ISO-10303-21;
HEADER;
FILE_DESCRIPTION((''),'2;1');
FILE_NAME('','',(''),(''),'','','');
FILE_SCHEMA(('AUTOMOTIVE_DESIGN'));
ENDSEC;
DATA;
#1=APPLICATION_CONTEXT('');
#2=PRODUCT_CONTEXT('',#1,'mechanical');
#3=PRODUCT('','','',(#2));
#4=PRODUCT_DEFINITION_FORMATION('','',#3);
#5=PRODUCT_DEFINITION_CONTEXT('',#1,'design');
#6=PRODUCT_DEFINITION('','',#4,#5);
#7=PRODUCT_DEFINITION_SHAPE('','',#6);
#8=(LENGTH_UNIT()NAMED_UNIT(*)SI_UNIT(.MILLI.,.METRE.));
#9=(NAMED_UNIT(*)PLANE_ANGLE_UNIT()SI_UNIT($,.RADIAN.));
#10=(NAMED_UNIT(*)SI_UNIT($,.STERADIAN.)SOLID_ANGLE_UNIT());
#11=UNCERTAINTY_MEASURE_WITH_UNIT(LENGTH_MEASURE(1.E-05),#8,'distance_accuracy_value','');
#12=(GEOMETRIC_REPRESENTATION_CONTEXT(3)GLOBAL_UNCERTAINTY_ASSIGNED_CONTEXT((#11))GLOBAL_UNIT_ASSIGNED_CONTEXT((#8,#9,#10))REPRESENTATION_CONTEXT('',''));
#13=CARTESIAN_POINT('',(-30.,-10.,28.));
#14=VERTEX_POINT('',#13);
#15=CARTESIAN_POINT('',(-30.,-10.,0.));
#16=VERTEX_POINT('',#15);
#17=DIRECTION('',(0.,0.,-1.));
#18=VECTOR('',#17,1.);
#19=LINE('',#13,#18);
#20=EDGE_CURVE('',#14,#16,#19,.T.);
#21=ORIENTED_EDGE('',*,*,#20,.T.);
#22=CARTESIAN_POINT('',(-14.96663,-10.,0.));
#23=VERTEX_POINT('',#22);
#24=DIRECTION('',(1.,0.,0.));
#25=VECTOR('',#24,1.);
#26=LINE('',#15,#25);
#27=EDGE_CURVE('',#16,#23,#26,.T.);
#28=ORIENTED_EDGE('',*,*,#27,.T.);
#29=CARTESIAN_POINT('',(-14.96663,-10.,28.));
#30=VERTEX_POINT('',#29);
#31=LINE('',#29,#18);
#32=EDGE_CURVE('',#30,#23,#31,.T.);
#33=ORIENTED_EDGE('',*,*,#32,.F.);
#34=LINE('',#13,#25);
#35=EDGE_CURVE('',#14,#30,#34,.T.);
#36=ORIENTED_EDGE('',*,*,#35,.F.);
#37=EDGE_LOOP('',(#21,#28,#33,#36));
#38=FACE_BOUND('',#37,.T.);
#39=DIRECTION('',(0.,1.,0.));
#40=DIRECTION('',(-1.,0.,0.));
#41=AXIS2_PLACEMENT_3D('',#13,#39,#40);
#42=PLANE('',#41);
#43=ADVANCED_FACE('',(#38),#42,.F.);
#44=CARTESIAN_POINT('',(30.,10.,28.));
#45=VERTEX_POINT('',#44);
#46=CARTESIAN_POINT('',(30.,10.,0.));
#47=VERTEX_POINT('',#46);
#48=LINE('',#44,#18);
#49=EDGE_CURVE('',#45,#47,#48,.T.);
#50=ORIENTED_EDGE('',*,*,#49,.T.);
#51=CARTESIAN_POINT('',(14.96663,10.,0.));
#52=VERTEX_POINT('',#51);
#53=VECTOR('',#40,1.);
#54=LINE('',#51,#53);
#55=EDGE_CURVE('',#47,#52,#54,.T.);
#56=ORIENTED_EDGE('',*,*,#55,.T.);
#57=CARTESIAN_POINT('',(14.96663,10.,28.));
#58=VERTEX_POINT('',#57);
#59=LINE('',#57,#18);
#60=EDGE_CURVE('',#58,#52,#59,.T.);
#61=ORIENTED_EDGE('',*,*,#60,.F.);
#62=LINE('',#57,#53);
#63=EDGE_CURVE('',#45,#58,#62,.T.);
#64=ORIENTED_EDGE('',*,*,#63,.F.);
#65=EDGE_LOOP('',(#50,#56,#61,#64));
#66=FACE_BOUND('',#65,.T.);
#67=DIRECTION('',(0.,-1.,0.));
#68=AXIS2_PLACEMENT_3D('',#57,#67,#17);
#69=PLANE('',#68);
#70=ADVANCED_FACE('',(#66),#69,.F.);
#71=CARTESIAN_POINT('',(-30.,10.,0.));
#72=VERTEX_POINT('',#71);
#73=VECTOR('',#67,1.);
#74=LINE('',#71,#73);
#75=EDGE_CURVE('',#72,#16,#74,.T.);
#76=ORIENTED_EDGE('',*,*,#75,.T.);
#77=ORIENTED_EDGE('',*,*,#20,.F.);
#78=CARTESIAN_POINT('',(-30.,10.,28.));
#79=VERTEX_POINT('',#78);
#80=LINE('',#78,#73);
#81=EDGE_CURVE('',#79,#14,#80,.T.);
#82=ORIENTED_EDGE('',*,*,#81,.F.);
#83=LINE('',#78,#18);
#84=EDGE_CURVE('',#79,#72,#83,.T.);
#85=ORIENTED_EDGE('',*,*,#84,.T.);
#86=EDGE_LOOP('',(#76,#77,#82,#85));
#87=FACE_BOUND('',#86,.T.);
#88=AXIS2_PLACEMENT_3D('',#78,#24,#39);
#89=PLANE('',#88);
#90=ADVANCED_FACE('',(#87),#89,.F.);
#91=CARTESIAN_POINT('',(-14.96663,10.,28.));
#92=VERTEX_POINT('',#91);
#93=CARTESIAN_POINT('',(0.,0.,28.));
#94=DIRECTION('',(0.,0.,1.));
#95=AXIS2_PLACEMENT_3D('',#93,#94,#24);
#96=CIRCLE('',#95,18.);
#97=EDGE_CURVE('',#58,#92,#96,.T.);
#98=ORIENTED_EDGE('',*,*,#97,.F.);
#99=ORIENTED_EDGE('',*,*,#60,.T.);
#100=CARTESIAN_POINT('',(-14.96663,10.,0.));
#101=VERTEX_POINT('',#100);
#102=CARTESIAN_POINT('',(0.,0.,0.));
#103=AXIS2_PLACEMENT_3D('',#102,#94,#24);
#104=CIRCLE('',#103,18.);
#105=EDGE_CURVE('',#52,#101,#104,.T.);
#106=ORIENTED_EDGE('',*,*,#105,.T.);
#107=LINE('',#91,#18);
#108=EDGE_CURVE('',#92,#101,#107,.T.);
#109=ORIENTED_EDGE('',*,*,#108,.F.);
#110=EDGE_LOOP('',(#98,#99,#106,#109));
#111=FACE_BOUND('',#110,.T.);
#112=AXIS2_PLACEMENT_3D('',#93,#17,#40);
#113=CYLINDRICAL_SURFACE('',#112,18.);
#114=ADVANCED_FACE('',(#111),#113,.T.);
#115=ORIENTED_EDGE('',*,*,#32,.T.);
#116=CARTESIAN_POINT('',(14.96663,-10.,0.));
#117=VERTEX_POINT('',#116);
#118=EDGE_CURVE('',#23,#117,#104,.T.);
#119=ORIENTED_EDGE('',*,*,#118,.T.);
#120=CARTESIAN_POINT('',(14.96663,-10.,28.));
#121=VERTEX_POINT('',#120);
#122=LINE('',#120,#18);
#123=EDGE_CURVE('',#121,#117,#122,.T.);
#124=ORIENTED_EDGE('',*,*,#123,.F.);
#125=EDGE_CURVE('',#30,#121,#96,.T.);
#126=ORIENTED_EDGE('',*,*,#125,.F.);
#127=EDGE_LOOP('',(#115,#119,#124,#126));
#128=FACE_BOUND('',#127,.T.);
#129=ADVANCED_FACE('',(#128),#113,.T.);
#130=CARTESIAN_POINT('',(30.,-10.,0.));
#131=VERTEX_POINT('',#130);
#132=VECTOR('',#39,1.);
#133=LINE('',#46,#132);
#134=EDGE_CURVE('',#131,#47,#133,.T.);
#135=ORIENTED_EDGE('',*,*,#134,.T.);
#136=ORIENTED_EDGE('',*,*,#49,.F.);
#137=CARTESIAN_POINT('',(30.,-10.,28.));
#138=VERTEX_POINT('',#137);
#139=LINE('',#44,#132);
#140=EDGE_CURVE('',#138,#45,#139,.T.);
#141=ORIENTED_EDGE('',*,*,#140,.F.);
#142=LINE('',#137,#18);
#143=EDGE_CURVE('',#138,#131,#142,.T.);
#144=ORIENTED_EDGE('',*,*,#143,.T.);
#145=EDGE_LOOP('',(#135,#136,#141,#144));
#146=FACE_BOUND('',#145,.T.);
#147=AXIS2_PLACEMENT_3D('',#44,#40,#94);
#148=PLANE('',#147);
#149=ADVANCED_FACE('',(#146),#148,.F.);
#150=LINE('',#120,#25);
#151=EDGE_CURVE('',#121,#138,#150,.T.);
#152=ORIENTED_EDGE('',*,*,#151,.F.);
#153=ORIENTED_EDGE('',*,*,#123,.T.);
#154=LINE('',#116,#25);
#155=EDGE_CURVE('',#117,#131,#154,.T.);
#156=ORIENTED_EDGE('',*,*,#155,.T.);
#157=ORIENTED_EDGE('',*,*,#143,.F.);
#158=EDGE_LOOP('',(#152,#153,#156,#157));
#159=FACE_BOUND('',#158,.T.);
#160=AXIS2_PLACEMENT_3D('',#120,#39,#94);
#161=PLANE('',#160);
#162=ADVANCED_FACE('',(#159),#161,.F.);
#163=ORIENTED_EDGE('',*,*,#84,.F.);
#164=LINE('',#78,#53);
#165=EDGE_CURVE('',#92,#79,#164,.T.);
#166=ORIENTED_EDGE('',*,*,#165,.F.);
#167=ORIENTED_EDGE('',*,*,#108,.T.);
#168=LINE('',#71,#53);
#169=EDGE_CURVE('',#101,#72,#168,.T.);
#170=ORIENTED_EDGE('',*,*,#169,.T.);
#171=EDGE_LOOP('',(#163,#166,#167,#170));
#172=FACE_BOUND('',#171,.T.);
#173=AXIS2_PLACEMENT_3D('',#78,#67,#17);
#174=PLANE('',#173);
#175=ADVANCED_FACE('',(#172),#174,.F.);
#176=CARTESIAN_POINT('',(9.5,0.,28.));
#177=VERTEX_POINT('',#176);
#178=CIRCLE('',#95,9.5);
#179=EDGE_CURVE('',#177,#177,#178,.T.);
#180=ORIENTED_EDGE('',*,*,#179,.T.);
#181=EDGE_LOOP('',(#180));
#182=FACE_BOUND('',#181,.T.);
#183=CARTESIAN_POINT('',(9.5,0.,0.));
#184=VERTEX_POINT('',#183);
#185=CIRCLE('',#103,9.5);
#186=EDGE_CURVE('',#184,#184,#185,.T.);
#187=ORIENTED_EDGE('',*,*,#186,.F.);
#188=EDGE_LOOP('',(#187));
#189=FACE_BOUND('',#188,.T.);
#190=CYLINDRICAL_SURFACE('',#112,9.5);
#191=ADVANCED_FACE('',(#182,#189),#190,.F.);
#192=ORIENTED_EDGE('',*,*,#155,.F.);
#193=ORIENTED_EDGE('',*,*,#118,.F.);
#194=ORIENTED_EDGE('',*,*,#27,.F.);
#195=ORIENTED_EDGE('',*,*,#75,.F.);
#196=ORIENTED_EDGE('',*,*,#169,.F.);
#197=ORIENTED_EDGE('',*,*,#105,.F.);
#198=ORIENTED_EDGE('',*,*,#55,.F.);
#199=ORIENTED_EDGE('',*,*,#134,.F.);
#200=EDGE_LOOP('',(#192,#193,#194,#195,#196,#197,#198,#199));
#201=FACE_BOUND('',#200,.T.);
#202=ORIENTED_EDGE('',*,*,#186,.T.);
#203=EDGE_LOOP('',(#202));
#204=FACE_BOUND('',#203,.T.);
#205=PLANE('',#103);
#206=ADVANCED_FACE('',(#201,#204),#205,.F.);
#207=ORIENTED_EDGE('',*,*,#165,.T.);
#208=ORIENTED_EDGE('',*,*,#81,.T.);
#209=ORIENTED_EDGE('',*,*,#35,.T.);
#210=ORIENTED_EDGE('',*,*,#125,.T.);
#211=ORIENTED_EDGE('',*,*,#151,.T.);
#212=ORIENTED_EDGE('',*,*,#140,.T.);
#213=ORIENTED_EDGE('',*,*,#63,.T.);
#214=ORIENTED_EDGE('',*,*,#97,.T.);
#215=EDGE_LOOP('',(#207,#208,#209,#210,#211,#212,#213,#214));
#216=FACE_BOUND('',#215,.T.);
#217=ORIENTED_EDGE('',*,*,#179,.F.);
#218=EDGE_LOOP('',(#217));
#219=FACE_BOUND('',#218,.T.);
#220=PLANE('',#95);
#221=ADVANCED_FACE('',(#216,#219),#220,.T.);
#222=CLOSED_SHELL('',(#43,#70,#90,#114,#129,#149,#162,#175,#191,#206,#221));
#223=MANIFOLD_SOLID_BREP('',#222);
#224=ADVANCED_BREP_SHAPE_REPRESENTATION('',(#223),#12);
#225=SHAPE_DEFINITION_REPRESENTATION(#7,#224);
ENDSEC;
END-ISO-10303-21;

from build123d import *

# Parameters (mm, degrees)
SKETCH_1_R      = 9.5
EXTRUDE_1_DEPTH = 28


with BuildPart() as part:
    # 草图1 → 拉伸1 (new body)
    with BuildSketch(Plane.XY):
        with BuildLine():
            Line((14.966629547, 10), (30, 10))
            Line((30, 10), (30, -10))
            Line((30, -10), (14.966629547, -10))
            ThreePointArc((14.966629547, -10), (0, -18), (-14.966629547, -10))
            Line((-14.966629547, -10), (-30, -10))
            Line((-30, -10), (-30, 10))
            Line((-30, 10), (-14.966629547, 10))
            ThreePointArc((-14.966629547, 10), (0, 18), (14.966629547, 10))
        make_face()
        Circle(SKETCH_1_R, mode=Mode.SUBTRACT)
    extrude(amount=EXTRUDE_1_DEPTH)


solid = part.part
